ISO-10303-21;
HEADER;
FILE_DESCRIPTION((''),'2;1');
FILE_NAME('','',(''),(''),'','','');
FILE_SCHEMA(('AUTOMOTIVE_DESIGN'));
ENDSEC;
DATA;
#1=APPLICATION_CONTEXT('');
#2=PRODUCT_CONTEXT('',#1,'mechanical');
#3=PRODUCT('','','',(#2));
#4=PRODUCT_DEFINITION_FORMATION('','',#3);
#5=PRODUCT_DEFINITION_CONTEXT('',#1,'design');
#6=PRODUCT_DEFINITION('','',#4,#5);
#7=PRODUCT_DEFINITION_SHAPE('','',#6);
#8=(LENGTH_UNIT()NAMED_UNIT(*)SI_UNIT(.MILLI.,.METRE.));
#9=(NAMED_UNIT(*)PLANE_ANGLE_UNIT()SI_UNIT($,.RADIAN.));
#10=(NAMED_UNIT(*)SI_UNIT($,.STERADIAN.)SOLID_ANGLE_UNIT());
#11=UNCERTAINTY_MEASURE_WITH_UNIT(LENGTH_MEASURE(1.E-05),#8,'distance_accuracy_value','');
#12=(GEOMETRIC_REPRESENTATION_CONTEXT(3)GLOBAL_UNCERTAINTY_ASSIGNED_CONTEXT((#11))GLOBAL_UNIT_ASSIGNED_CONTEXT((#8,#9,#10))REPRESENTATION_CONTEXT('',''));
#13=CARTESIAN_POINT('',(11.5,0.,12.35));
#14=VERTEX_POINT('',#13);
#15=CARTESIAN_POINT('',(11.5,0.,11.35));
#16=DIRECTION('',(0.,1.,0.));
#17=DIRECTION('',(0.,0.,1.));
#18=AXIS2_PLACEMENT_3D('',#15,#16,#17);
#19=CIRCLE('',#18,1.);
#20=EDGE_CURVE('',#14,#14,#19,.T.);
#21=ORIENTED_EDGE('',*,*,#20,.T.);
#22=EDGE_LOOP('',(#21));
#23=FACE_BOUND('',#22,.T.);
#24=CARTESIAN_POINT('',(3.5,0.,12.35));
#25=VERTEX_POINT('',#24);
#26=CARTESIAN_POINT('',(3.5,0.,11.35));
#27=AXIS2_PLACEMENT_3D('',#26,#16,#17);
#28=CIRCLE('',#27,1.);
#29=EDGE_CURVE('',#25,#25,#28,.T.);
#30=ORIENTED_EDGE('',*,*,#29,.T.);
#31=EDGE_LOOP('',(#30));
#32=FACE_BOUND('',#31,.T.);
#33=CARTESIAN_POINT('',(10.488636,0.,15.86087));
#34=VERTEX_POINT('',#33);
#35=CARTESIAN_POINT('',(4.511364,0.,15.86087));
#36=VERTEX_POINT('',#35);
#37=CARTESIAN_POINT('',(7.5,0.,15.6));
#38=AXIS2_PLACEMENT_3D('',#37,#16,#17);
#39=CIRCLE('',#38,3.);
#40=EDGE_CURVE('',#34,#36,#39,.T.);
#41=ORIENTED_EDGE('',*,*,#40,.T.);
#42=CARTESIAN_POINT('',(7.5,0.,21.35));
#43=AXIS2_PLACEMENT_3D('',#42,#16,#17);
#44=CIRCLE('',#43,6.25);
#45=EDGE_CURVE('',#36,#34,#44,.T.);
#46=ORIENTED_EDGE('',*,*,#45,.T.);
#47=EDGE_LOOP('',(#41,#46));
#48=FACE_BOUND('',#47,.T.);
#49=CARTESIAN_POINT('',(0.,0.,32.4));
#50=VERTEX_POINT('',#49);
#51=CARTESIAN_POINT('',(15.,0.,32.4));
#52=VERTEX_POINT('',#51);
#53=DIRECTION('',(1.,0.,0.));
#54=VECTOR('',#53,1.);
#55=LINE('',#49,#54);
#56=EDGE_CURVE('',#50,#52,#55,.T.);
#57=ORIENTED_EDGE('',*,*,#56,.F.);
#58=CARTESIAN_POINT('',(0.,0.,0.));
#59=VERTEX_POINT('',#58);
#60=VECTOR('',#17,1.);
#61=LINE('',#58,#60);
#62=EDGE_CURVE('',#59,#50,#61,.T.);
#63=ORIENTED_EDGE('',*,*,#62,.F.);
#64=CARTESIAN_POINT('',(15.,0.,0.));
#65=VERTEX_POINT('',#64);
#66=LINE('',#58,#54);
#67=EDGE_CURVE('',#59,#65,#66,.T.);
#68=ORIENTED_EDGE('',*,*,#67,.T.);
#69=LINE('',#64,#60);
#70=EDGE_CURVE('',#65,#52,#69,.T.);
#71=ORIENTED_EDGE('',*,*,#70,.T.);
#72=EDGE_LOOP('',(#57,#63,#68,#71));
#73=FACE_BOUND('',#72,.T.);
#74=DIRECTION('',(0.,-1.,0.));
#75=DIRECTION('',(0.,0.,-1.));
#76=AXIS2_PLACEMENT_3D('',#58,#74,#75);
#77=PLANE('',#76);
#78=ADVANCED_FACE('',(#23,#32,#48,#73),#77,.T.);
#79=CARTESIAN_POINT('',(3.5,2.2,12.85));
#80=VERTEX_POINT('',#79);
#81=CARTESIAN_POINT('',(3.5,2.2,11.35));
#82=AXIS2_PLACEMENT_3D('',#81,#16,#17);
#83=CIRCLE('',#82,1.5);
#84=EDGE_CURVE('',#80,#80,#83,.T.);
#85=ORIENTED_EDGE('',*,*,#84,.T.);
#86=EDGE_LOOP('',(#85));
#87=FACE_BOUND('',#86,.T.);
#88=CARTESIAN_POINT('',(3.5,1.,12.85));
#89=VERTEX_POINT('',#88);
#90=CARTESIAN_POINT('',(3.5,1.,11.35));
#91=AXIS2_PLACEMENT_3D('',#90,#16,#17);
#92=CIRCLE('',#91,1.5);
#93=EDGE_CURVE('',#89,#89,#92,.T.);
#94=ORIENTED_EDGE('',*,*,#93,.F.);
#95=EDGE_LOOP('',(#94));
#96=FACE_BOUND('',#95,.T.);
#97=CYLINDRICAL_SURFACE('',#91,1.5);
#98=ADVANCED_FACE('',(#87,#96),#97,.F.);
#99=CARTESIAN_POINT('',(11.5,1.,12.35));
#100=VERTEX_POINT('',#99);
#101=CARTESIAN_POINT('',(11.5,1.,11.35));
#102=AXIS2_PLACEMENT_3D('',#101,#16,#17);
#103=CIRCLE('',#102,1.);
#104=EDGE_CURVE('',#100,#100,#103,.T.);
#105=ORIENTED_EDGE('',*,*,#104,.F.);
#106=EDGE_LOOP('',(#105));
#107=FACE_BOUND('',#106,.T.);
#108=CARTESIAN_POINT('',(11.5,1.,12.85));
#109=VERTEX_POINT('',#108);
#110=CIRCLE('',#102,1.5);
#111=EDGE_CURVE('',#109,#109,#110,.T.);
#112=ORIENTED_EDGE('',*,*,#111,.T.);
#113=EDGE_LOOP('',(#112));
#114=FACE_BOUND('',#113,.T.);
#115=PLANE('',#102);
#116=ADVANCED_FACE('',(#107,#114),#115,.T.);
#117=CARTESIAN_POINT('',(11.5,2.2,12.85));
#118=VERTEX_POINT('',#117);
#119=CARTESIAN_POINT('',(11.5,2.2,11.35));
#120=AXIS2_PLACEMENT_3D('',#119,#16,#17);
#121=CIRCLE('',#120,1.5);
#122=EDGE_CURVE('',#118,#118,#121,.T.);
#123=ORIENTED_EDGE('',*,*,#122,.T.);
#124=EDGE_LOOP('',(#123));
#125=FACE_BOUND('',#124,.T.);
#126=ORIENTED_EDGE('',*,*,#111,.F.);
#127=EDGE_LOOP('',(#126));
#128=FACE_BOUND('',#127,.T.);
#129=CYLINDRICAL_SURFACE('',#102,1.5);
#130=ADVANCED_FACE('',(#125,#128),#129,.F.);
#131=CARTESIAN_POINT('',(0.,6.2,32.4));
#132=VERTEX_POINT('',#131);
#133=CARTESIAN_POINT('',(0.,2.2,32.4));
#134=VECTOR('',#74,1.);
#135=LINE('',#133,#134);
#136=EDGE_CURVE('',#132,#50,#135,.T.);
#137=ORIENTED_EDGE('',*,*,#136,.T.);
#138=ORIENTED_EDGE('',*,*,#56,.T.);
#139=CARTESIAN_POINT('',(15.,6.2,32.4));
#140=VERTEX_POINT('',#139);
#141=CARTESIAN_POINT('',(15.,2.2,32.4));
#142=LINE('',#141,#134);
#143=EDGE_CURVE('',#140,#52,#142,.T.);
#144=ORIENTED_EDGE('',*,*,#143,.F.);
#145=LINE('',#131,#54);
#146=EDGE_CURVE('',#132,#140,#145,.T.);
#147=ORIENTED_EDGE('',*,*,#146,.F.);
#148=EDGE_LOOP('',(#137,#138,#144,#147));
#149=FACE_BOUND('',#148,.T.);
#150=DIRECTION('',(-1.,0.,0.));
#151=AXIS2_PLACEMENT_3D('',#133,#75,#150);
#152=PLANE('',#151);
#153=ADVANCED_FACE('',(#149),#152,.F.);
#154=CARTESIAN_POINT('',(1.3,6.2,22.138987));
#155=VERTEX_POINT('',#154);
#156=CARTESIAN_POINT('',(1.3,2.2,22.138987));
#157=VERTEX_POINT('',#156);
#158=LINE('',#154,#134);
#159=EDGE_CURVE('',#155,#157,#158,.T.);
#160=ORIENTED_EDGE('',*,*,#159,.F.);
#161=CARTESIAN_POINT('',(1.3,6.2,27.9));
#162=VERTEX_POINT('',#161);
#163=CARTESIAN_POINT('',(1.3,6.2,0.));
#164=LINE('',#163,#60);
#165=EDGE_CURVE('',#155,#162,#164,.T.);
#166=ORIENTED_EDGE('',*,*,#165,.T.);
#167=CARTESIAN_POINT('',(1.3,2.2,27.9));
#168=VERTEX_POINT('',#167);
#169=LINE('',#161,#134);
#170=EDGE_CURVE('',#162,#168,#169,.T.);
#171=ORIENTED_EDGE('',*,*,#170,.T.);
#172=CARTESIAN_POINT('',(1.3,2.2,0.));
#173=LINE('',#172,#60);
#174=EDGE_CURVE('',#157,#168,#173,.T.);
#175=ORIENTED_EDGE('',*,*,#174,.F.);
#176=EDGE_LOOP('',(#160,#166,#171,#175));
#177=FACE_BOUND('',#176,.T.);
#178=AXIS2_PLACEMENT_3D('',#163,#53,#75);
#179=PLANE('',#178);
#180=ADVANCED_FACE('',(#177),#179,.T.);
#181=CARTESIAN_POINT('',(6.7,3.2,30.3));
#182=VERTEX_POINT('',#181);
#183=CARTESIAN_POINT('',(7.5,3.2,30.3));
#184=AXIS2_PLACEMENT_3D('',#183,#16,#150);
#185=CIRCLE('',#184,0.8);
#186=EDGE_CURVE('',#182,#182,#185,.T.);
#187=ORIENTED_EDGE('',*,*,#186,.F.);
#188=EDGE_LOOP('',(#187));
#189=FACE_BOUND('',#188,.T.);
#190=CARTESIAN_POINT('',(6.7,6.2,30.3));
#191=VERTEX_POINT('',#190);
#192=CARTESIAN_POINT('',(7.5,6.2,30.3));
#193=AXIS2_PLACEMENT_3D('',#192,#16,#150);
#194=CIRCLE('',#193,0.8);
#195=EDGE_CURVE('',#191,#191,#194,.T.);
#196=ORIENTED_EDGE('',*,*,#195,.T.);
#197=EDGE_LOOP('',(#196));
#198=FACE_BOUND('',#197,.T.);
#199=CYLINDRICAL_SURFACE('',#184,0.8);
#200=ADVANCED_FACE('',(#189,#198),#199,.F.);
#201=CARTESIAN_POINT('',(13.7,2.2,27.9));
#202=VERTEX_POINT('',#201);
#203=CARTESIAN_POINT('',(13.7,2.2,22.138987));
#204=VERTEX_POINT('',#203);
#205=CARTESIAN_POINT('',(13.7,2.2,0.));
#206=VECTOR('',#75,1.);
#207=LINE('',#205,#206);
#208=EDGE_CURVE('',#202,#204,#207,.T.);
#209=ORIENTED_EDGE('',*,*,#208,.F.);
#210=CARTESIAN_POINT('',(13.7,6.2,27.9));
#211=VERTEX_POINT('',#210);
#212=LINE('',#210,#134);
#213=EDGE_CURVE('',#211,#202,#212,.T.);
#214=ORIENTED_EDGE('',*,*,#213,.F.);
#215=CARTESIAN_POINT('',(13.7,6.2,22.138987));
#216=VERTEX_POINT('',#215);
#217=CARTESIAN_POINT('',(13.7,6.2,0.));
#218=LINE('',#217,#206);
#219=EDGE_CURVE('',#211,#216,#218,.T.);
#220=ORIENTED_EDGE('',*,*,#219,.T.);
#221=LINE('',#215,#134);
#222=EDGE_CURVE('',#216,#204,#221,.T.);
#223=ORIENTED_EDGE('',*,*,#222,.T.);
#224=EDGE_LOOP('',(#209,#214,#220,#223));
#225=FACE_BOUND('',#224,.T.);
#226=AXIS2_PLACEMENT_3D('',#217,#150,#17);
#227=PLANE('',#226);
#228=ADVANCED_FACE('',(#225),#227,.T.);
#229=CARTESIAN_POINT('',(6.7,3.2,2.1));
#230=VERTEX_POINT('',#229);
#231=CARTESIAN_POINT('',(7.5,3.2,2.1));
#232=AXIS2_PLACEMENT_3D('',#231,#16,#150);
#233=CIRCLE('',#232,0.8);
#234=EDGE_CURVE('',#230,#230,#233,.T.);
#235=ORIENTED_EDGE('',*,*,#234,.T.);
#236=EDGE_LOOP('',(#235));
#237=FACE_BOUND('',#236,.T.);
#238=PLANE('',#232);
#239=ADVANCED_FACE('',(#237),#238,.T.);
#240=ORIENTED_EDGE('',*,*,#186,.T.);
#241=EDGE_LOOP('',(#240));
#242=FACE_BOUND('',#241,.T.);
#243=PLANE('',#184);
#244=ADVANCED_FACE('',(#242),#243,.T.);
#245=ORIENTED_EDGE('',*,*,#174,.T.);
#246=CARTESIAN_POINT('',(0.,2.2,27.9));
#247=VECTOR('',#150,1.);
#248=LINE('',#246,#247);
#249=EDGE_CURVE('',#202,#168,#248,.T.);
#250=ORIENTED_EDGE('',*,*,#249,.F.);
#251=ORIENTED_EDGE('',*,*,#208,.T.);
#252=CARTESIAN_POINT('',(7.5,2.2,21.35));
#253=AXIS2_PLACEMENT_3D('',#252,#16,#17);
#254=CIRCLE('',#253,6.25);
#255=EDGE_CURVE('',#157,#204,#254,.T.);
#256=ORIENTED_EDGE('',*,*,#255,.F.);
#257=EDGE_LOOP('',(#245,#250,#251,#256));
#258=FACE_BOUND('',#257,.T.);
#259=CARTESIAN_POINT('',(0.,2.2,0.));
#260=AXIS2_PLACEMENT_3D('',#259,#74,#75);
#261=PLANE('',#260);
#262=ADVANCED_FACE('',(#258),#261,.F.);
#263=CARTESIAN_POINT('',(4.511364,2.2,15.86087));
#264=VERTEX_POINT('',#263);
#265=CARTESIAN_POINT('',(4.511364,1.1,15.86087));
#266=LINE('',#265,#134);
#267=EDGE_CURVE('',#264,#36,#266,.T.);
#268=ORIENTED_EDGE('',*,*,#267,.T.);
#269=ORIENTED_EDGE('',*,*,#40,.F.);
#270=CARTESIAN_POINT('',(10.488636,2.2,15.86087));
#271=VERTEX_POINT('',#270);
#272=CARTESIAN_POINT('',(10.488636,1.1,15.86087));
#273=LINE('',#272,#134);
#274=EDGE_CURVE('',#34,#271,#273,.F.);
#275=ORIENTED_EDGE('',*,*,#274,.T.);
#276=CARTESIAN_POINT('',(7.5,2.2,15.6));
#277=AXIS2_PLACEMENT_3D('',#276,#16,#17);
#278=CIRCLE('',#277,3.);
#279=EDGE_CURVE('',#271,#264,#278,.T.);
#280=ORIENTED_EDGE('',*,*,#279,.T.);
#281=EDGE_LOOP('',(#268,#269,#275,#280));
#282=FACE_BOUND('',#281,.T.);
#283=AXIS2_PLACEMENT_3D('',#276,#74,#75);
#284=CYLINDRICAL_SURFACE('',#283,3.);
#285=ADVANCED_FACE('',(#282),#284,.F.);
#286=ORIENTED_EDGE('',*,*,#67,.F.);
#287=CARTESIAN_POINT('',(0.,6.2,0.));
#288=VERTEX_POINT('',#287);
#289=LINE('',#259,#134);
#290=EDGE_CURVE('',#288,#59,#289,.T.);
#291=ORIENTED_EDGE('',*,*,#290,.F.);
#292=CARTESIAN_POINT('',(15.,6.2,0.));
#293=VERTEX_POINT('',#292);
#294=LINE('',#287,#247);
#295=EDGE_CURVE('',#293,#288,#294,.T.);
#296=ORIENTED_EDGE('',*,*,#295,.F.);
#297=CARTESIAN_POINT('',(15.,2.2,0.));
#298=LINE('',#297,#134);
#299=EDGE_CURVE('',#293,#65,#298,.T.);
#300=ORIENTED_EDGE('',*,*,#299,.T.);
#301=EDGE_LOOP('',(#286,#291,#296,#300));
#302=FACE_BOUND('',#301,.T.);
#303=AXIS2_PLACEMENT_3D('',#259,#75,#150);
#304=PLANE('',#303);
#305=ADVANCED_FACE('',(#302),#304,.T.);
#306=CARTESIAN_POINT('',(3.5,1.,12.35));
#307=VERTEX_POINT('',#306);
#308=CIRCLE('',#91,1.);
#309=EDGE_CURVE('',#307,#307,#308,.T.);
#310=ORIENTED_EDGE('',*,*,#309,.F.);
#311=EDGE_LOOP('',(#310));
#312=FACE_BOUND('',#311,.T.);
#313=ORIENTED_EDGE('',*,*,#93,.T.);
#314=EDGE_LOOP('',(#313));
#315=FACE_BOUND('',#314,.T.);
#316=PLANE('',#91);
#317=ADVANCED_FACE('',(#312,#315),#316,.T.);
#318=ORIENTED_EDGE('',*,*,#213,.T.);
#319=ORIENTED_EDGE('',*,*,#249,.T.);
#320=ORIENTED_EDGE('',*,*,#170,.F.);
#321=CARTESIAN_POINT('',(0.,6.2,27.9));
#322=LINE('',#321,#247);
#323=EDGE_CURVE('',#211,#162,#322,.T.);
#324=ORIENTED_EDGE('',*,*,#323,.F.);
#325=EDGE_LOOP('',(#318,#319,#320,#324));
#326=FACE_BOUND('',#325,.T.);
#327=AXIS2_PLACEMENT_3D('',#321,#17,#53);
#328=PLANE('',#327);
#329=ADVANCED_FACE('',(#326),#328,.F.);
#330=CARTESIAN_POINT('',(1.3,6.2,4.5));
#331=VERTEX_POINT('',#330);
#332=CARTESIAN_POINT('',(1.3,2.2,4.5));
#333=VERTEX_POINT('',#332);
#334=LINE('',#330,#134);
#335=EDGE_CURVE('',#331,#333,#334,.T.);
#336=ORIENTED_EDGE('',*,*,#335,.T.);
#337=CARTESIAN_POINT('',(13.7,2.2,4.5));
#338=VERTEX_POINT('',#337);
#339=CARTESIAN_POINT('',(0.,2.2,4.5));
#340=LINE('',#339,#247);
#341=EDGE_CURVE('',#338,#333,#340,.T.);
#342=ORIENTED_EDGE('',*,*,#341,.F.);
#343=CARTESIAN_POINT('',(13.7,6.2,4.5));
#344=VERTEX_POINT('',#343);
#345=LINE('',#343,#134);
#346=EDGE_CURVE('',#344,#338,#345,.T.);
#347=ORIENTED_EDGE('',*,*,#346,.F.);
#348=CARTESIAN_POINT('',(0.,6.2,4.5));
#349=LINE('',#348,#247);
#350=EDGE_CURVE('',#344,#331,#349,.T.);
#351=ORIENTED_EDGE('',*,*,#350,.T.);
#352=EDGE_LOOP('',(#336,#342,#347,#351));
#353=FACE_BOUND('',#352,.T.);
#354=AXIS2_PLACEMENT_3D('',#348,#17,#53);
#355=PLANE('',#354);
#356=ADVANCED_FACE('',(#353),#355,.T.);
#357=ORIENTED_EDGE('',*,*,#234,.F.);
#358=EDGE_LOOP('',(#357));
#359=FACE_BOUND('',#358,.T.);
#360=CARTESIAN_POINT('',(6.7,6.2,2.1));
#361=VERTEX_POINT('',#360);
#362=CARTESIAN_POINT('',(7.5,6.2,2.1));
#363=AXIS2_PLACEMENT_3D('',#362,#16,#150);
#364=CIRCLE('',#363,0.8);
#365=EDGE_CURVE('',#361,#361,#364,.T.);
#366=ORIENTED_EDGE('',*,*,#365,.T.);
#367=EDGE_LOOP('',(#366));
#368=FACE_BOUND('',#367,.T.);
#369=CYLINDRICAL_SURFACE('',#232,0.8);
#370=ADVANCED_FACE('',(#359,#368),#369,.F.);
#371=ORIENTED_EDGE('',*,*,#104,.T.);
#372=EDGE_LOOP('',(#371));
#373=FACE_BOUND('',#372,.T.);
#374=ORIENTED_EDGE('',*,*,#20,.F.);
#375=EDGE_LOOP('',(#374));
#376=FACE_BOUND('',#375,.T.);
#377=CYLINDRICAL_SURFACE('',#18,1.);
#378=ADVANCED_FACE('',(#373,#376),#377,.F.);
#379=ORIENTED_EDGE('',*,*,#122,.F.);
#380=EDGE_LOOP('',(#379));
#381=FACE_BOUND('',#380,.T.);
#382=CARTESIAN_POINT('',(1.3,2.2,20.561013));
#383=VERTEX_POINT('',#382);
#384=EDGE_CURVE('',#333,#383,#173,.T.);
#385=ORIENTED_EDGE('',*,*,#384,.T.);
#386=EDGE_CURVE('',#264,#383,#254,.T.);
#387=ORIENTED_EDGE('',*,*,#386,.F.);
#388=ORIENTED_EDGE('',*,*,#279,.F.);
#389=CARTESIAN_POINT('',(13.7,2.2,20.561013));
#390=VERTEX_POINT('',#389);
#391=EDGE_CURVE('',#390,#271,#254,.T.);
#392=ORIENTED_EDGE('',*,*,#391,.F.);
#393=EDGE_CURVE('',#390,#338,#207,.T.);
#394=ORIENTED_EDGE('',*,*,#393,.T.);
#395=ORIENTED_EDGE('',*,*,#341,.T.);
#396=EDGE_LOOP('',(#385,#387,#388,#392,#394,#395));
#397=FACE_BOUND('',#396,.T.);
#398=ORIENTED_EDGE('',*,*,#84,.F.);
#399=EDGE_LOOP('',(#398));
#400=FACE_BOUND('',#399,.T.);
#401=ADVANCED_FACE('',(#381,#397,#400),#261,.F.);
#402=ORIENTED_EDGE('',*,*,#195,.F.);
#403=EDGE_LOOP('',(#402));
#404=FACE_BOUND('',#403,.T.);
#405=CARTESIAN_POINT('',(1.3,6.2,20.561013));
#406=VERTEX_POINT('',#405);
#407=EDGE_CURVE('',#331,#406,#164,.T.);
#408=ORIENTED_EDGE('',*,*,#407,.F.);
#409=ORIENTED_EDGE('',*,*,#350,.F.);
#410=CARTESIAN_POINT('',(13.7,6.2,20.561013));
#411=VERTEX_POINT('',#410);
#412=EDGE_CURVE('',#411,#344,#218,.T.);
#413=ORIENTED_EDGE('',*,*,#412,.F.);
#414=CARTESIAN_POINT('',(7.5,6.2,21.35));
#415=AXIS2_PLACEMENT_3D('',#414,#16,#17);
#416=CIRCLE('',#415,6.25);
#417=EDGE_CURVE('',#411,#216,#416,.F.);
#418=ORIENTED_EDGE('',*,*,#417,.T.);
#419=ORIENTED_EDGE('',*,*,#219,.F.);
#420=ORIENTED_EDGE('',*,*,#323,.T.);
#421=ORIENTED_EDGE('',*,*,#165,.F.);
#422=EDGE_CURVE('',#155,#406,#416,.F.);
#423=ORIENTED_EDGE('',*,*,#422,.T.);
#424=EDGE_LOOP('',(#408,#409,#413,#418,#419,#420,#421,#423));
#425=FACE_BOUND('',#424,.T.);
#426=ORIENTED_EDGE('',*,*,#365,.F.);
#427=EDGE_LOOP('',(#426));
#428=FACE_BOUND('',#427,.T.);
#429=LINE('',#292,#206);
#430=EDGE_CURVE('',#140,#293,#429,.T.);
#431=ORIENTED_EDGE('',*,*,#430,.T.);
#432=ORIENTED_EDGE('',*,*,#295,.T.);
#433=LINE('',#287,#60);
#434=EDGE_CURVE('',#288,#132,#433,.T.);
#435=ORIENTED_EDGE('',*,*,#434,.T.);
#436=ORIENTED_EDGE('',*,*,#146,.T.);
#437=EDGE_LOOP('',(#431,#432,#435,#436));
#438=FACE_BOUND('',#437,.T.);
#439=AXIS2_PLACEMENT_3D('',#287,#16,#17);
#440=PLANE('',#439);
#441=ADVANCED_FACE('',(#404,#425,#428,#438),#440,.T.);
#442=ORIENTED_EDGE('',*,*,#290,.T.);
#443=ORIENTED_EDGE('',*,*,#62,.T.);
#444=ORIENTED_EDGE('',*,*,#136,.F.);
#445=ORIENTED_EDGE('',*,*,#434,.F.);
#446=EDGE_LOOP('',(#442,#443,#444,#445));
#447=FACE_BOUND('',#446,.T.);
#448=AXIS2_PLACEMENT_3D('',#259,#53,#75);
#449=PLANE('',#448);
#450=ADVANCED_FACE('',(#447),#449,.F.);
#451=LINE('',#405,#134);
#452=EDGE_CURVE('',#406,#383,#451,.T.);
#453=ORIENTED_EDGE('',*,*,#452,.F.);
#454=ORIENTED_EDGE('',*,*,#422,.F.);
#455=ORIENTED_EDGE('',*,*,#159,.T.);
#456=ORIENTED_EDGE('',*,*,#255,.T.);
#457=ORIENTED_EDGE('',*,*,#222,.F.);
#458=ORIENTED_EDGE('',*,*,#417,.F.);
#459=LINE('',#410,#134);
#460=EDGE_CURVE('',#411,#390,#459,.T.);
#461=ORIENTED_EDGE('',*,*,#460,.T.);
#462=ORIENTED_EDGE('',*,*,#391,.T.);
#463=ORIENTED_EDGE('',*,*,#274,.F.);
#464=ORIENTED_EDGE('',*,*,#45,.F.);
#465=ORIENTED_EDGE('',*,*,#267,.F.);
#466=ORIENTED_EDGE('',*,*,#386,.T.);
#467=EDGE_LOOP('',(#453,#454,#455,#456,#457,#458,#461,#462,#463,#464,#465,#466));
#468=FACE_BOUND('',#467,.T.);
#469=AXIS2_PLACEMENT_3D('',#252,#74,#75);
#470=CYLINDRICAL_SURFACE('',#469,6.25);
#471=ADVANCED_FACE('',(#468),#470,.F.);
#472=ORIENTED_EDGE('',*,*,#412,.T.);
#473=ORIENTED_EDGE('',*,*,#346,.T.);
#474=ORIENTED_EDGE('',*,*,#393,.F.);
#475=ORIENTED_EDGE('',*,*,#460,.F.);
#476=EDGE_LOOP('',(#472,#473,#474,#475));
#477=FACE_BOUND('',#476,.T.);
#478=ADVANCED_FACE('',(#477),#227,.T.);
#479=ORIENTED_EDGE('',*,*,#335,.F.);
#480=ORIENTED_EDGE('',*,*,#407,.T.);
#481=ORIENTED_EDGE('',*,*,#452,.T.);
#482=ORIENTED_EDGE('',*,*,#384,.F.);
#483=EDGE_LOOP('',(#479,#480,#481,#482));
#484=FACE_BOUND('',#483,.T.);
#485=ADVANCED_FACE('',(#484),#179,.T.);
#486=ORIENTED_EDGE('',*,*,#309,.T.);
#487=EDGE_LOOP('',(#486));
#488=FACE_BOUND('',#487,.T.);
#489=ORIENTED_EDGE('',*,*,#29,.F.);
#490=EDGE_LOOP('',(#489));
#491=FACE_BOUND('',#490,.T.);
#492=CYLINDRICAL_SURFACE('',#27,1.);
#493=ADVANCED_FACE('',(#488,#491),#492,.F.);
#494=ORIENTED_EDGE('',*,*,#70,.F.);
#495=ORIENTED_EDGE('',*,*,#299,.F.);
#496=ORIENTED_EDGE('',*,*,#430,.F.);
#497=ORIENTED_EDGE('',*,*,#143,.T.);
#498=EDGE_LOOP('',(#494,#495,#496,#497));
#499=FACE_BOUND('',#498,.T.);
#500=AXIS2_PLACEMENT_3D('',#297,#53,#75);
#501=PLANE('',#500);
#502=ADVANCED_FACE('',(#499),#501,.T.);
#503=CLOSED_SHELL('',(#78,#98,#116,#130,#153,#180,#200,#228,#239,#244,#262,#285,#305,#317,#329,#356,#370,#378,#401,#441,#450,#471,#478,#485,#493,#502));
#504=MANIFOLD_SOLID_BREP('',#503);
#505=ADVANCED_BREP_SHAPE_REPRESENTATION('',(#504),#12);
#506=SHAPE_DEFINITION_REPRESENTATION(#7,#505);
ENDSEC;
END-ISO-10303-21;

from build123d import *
from build123d.topology import SkipClean

# Parameters (mm, degrees)
SKETCH_1_W          = 15
SKETCH_1_H          = 32.4
EXTRUDE_1_DEPTH     = 2.2
SKETCH_1_3_R        = 6.25
SKETCH_1_3_R_2      = 3
CUT_EXTRUDE_1_DEPTH = 36.771497033
SKETCH_2_W          = 15
SKETCH_2_H          = 32.4
EXTRUDE_2_DEPTH     = 4
SKETCH_3_R          = 0.8
CUT_EXTRUDE_2_DEPTH = 3
SKETCH_4_R          = 1
CUT_EXTRUDE_3_DEPTH = 36.927148509
SKETCH_4_3_R        = 1.5
SKETCH_4_3_R_2      = 1
CUT_EXTRUDE_4_DEPTH = 1.2


with BuildPart() as part:
    # 草图1 → 凸台-拉伸1 (new body)
    with BuildSketch(Plane(origin=(0, 0, 0), x_dir=(1, 0, 0), z_dir=(0, 1, 0))):
        with Locations((7.5, -16.2)):
            Rectangle(SKETCH_1_W, SKETCH_1_H)
    extrude(amount=EXTRUDE_1_DEPTH)

    # 草图1<3> → 切除-拉伸1 (cut, through all)
    with BuildSketch(Plane(origin=(0, 0, 0), x_dir=(1, 0, 0), z_dir=(0, 1, 0))):
        with Locations((7.5, -21.35)):
            Circle(SKETCH_1_3_R)
        with Locations((7.5, -15.6)):
            Circle(SKETCH_1_3_R_2)
    extrude(amount=CUT_EXTRUDE_1_DEPTH, mode=Mode.SUBTRACT)

    # 草图2 → 凸台-拉伸2 (add)
    with SkipClean():  # the faces are left unmerged after this step: merging them gives an invalid solid
        with BuildSketch(Plane(origin=(0, 2.2, 0), x_dir=(1, 0, 0), z_dir=(0, 1, 0))):
            with Locations((7.5, -16.2)):
                Rectangle(SKETCH_2_W, SKETCH_2_H)
            with BuildLine():
                Line((13.7, -27.9), (1.3, -27.9))
                Line((1.3, -27.9), (1.3, -22.138986692))
                ThreePointArc((1.3, -22.138986692), (1.25, -21.35), (1.3, -20.561013308))
                Line((1.3, -20.561013308), (1.3, -4.5))
                Line((1.3, -4.5), (13.7, -4.5))
                Line((13.7, -4.5), (13.7, -20.561013308))
                ThreePointArc((13.7, -20.561013308), (13.75, -21.35), (13.7, -22.138986692))
                Line((13.7, -22.138986692), (13.7, -27.9))
            make_face(mode=Mode.SUBTRACT)
        extrude(amount=EXTRUDE_2_DEPTH)

    # 草图3 → 切除-拉伸2 (cut)
    with SkipClean():  # the faces are left unmerged after this step: merging them gives an invalid solid
        with BuildSketch(Plane(origin=(0, 6.2, 0), x_dir=(1, 0, 0), z_dir=(0, 1, 0))):
            with Locations((7.5, -30.3)):
                Circle(SKETCH_3_R)
            with Locations((7.5, -2.1)):
                Circle(SKETCH_3_R)
        extrude(amount=-CUT_EXTRUDE_2_DEPTH, mode=Mode.SUBTRACT)

    # 草图4 → 切除-拉伸3 (cut, through all)
    with SkipClean():  # the faces are left unmerged after this step: merging them gives an invalid solid
        with BuildSketch(Plane(origin=(0, 2.2, 0), x_dir=(1, 0, 0), z_dir=(0, 1, 0))):
            with Locations((11.5, -11.35)):
                Circle(SKETCH_4_R)
            with Locations((3.5, -11.35)):
                Circle(SKETCH_4_R)
        extrude(amount=-CUT_EXTRUDE_3_DEPTH, mode=Mode.SUBTRACT)

    # 草图4<3> → 切除-拉伸4 (cut)
    # profile 1 of 2: a face of its own
    with SkipClean():  # the faces are left unmerged after this step: merging them gives an invalid solid
        with BuildSketch(Plane(origin=(0, 2.2, 0), x_dir=(1, 0, 0), z_dir=(0, 1, 0))):
            with Locations((11.5, -11.35)):
                Circle(SKETCH_4_3_R)
            with Locations((11.5, -11.35)):
                Circle(SKETCH_4_3_R_2, mode=Mode.SUBTRACT)
        # profile 2 of 2: a face of its own
        with BuildSketch(Plane(origin=(0, 2.2, 0), x_dir=(1, 0, 0), z_dir=(0, 1, 0))):
            with Locations((3.5, -11.35)):
                Circle(SKETCH_4_3_R)
            with Locations((3.5, -11.35)):
                Circle(SKETCH_4_3_R_2, mode=Mode.SUBTRACT)
        extrude(amount=-CUT_EXTRUDE_4_DEPTH, mode=Mode.SUBTRACT)


solid = part.part
